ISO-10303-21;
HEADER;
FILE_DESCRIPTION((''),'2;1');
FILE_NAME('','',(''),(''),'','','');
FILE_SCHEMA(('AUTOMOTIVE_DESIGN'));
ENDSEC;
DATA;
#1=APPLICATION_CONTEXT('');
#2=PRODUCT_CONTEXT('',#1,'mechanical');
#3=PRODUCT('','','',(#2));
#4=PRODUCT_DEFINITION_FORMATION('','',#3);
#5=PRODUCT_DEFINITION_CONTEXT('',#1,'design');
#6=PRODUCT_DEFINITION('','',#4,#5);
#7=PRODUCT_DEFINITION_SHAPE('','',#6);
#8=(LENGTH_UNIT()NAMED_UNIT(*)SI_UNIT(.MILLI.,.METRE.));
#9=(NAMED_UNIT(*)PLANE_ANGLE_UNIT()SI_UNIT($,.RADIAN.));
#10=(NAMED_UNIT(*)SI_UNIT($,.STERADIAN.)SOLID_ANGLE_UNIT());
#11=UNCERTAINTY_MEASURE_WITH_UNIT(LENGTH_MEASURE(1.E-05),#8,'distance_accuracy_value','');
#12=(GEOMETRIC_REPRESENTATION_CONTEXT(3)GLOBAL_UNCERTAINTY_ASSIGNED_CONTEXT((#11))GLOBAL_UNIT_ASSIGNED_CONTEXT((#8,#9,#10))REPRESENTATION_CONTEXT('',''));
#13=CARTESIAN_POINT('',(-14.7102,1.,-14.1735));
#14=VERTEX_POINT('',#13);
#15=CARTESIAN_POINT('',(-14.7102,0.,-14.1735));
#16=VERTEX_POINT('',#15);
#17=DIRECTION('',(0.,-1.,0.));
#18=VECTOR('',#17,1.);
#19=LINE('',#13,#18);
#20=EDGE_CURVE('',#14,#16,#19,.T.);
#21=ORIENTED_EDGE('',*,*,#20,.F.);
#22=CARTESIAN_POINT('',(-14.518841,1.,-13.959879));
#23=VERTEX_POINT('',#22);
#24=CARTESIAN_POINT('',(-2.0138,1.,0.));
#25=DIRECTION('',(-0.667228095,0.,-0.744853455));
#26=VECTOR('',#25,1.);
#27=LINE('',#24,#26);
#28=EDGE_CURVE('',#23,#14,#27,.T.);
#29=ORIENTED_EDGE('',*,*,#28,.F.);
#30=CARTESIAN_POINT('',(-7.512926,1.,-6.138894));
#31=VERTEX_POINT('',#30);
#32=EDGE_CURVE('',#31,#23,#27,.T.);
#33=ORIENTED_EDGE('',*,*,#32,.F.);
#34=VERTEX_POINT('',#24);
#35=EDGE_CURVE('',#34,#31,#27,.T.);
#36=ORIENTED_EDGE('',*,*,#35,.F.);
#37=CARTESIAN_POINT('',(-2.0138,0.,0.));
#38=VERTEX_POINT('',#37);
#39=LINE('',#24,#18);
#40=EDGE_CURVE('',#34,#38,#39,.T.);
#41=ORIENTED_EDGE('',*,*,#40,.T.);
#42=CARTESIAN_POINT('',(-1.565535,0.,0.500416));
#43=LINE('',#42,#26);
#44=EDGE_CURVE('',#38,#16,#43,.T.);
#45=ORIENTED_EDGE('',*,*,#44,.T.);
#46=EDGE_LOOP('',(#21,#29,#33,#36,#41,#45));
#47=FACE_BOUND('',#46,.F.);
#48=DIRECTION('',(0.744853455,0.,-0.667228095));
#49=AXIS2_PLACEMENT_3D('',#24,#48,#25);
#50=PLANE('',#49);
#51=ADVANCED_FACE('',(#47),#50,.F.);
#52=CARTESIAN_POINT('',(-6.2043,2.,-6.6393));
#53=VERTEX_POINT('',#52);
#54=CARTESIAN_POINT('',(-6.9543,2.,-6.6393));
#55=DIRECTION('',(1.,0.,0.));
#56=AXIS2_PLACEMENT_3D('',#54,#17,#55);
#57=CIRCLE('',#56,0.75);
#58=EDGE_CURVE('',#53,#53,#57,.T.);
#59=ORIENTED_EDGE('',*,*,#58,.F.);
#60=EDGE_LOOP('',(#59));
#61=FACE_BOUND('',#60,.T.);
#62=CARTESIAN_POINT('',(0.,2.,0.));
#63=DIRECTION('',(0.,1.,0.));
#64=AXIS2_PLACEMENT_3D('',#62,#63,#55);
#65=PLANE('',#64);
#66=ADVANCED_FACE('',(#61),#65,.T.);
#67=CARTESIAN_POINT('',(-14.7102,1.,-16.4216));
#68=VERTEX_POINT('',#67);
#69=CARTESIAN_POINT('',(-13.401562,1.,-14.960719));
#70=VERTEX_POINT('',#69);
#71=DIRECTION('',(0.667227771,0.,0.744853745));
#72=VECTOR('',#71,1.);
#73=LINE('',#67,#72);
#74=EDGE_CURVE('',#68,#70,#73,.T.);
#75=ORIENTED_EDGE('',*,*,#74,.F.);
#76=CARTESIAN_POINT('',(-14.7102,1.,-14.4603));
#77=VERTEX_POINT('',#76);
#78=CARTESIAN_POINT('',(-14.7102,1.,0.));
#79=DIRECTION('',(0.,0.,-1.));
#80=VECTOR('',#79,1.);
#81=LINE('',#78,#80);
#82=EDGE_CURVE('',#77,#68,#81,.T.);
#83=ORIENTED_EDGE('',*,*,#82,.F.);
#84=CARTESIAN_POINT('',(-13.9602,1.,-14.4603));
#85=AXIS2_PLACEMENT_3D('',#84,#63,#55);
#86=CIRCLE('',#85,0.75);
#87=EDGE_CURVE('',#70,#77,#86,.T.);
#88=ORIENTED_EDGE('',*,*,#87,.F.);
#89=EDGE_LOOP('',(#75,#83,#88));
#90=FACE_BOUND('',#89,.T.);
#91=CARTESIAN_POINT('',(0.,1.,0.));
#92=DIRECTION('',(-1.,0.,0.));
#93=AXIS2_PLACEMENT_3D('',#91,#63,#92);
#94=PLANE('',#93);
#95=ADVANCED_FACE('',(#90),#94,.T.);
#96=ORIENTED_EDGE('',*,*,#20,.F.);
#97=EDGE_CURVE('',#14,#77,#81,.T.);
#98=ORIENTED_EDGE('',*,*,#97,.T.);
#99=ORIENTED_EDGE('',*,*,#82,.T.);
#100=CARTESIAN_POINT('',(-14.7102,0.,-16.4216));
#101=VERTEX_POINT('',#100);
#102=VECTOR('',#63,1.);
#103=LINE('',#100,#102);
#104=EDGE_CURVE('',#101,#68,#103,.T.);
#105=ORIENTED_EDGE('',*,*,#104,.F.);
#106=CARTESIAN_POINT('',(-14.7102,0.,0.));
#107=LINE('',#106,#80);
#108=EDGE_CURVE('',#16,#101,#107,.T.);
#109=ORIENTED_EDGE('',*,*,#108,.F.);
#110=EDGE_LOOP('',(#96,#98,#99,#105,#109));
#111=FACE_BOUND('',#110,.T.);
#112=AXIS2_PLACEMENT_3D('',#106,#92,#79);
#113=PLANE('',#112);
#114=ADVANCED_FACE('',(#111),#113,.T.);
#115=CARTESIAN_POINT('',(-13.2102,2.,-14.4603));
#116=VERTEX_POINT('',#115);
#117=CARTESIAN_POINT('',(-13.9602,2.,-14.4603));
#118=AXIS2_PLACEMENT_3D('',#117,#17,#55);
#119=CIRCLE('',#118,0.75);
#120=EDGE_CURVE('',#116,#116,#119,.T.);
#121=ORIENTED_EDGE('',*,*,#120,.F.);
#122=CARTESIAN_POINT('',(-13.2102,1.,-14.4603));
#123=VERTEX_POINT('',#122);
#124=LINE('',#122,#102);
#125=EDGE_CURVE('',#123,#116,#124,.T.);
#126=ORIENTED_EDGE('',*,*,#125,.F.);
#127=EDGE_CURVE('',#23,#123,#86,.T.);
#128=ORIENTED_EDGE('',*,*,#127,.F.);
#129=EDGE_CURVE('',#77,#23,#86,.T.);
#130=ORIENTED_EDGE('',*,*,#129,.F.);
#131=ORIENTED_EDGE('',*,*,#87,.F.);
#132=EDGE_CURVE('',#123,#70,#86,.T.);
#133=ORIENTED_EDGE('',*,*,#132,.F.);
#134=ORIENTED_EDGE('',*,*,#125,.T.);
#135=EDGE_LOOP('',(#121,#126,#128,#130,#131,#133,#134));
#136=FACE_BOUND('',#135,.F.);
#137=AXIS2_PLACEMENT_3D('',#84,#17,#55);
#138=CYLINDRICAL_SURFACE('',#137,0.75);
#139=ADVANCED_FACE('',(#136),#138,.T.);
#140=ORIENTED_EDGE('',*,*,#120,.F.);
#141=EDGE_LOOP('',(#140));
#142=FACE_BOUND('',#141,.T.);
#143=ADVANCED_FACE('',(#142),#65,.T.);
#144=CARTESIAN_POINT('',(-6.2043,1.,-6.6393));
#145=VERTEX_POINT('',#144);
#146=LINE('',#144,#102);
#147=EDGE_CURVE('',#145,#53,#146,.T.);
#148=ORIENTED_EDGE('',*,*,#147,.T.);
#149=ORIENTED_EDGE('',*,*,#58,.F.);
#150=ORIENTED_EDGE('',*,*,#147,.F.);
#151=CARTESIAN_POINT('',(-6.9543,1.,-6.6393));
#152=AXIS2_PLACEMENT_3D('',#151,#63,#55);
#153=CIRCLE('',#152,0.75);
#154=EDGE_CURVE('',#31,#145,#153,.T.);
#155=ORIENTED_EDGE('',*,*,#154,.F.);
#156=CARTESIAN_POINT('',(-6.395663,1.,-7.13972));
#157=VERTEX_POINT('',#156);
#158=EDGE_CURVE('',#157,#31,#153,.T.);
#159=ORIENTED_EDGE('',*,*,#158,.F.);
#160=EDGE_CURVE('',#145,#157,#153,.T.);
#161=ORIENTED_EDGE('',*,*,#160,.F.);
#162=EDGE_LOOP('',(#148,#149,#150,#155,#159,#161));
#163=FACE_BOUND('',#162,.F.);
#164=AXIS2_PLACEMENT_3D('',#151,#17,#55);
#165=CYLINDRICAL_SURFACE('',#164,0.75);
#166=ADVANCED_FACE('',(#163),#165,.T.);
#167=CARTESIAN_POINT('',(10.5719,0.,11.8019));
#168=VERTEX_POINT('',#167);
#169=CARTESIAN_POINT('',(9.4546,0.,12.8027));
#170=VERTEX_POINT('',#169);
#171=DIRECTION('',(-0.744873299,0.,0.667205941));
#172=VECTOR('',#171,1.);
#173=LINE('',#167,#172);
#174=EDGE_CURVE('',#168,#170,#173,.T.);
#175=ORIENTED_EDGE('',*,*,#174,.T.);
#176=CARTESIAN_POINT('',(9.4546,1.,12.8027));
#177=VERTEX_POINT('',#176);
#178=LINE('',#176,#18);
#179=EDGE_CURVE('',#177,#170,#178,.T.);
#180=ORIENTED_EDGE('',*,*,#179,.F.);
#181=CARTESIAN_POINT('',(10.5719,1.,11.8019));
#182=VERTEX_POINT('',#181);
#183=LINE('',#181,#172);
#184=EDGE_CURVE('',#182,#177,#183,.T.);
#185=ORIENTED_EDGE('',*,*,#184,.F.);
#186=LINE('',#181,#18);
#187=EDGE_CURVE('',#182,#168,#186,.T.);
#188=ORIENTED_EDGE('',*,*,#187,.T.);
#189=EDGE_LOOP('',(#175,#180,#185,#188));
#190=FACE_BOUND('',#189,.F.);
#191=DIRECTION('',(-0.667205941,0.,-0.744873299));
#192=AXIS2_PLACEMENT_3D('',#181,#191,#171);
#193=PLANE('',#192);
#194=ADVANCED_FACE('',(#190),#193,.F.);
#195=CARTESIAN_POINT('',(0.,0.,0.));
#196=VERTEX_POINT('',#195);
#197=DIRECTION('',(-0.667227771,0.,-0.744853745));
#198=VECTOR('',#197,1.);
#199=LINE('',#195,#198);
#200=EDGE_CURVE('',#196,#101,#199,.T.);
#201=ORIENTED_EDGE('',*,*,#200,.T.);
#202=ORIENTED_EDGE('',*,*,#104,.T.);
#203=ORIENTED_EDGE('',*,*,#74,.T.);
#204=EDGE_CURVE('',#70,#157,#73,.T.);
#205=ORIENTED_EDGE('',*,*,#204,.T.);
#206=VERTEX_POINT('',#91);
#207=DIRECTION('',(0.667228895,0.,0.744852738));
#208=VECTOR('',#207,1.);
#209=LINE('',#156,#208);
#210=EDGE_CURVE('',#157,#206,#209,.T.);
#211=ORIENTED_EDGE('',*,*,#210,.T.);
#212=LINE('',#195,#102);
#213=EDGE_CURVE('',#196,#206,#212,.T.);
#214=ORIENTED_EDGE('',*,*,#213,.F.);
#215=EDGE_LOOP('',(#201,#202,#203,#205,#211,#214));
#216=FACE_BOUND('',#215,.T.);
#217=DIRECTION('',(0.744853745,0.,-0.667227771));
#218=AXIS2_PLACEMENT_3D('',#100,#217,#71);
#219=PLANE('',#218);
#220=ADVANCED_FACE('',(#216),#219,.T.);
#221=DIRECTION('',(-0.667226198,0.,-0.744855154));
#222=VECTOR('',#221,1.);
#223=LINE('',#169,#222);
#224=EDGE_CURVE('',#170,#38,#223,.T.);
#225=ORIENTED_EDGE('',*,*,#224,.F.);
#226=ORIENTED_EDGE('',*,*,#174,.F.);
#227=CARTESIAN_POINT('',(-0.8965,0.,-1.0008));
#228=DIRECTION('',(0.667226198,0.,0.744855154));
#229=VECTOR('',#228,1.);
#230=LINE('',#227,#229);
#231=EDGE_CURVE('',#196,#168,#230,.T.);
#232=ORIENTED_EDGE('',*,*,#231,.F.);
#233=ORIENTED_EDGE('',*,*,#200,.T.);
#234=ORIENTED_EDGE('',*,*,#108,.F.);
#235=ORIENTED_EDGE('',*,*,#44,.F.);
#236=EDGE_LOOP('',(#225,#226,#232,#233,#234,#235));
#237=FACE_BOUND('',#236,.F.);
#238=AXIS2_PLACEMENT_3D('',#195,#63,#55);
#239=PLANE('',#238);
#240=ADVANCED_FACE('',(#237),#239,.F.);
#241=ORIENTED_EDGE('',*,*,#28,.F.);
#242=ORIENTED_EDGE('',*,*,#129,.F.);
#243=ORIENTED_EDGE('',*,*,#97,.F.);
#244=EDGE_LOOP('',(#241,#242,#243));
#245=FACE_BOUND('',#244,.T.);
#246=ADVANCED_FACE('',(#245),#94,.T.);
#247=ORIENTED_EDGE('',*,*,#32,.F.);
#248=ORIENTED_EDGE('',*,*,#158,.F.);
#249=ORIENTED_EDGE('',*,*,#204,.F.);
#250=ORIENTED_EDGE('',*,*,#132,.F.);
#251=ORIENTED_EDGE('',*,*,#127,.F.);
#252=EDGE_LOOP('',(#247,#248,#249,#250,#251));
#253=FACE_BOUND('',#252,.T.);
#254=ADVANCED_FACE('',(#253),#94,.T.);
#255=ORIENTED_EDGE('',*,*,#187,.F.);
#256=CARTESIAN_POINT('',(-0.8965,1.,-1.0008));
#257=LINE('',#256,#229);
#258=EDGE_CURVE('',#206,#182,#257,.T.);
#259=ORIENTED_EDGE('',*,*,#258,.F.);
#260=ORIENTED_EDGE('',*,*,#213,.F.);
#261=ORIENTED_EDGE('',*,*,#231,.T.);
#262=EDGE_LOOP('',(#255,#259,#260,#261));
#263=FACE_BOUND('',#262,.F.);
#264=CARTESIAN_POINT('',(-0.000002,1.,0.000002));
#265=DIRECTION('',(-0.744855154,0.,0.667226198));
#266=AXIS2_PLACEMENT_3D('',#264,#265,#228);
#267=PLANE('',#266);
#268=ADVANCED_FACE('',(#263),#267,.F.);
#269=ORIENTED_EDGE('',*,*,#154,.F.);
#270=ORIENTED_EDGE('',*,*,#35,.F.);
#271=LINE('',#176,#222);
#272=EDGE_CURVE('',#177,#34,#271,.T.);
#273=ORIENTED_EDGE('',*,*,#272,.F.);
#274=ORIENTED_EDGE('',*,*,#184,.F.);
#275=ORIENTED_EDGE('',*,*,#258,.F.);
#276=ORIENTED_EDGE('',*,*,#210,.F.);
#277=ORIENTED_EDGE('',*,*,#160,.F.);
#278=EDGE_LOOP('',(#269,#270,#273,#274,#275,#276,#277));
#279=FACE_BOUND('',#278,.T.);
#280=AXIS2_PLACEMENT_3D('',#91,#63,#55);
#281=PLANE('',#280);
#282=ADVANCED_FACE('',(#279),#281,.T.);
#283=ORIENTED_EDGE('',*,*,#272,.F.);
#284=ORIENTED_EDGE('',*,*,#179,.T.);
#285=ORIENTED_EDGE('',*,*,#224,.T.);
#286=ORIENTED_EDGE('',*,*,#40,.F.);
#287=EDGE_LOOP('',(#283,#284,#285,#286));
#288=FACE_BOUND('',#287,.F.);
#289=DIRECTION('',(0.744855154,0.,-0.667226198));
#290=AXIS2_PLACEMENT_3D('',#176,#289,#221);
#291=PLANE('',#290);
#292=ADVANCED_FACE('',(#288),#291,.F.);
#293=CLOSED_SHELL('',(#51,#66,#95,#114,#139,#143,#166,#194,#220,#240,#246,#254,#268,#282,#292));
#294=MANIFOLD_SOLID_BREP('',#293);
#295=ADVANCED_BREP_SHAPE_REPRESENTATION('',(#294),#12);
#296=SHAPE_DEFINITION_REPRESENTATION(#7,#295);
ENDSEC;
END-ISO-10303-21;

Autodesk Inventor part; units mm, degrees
ref_plane "YZ Plane" through (0, 0, 0) normal (1, 0, 0) x (0, 1, 0)
ref_plane "XZ Plane" through (0, 0, 0) normal (0, 1, 0) x (-1, 0, 0)
ref_plane "XY Plane" through (0, 0, 0) normal (0, 0, 1) x (1, 0, 0)
sketch "草圖1" plane through (0, 0, 0) normal (0, 1, 0) x (-1, 0, 0)
  line L0 (0, 0) -> (14.7102, 0)
  line L1 (14.7102, 0) -> (14.7102, -16.4216)
  line L2 (14.7102, -16.4216) -> (0, 0)
extrude "擠出1" add sketch "草圖1" along normal blind 1
sketch "草圖2" plane through (0, 1, 0) normal (0, 1, 0) x (1, 0, 0)
  circle A0 centre (-13.9602, 14.4603) radius 0.75
  line L0 (-14.7102, 16.4216) -> (-14.7102, 0) projected
  line L1 (0, 0) -> (-14.7102, 16.4216) projected
  dimension "d2" = 1.5
extrude "擠出2" add sketch "草圖2" along normal blind 1 contours A0
sketch "草圖4" plane through (0, 1, 0) normal (0, 1, 0) x (1, 0, 0)
  line L0 (-14.7102, 0) -> (0, 0) projected
  line L1 (-2.0138, 0) -> (-14.7102, 14.1735)
  line L2 (0, 0) -> (-13.4016, 14.9607) projected
  line L3 (-14.7102, 14.4603) -> (-14.7102, 0) projected
  point P0 (-1.1201, 1.2504)
  dimension "d7" = 1.5
extrude "擠出4" cut sketch "草圖4" against normal blind 10
sketch "草圖5" plane through (0, 1, 0) normal (0, 1, 0) x (1, 0, 0)
  circle A0 centre (-6.9543, 6.6393) radius 0.75
  line L0 (-14.5188, 13.9599) -> (-2.0138, 0) projected
  line L1 (0, 0) -> (-13.4016, 14.9607) projected
  circle A1 centre (-13.9602, 14.4603) radius 0.75 projected
  dimension "d11" = 10.5
extrude "擠出5" add sketch "草圖5" along normal up to surface (1 mm away) contours A0
sketch "草圖6" plane through (0, 1, 0) normal (0, 1, 0) x (1, 0, 0)
  line L0 (-7.513, 6.1389) -> (-2.0138, 0) projected
  line L1 (0, 0) -> (-6.3957, 7.1398) projected
  line L2 (-2.0138, 0) -> (-0.8965, 1.0008)
  line L3 (-0.8965, 1.0008) -> (10.5719, -11.8019)
  line L4 (10.5719, -11.8019) -> (9.4546, -12.8027)
  line L5 (9.4546, -12.8027) -> (-2.0138, 0)
extrude "擠出6" add sketch "草圖6" against normal up to surface (1 mm away)
